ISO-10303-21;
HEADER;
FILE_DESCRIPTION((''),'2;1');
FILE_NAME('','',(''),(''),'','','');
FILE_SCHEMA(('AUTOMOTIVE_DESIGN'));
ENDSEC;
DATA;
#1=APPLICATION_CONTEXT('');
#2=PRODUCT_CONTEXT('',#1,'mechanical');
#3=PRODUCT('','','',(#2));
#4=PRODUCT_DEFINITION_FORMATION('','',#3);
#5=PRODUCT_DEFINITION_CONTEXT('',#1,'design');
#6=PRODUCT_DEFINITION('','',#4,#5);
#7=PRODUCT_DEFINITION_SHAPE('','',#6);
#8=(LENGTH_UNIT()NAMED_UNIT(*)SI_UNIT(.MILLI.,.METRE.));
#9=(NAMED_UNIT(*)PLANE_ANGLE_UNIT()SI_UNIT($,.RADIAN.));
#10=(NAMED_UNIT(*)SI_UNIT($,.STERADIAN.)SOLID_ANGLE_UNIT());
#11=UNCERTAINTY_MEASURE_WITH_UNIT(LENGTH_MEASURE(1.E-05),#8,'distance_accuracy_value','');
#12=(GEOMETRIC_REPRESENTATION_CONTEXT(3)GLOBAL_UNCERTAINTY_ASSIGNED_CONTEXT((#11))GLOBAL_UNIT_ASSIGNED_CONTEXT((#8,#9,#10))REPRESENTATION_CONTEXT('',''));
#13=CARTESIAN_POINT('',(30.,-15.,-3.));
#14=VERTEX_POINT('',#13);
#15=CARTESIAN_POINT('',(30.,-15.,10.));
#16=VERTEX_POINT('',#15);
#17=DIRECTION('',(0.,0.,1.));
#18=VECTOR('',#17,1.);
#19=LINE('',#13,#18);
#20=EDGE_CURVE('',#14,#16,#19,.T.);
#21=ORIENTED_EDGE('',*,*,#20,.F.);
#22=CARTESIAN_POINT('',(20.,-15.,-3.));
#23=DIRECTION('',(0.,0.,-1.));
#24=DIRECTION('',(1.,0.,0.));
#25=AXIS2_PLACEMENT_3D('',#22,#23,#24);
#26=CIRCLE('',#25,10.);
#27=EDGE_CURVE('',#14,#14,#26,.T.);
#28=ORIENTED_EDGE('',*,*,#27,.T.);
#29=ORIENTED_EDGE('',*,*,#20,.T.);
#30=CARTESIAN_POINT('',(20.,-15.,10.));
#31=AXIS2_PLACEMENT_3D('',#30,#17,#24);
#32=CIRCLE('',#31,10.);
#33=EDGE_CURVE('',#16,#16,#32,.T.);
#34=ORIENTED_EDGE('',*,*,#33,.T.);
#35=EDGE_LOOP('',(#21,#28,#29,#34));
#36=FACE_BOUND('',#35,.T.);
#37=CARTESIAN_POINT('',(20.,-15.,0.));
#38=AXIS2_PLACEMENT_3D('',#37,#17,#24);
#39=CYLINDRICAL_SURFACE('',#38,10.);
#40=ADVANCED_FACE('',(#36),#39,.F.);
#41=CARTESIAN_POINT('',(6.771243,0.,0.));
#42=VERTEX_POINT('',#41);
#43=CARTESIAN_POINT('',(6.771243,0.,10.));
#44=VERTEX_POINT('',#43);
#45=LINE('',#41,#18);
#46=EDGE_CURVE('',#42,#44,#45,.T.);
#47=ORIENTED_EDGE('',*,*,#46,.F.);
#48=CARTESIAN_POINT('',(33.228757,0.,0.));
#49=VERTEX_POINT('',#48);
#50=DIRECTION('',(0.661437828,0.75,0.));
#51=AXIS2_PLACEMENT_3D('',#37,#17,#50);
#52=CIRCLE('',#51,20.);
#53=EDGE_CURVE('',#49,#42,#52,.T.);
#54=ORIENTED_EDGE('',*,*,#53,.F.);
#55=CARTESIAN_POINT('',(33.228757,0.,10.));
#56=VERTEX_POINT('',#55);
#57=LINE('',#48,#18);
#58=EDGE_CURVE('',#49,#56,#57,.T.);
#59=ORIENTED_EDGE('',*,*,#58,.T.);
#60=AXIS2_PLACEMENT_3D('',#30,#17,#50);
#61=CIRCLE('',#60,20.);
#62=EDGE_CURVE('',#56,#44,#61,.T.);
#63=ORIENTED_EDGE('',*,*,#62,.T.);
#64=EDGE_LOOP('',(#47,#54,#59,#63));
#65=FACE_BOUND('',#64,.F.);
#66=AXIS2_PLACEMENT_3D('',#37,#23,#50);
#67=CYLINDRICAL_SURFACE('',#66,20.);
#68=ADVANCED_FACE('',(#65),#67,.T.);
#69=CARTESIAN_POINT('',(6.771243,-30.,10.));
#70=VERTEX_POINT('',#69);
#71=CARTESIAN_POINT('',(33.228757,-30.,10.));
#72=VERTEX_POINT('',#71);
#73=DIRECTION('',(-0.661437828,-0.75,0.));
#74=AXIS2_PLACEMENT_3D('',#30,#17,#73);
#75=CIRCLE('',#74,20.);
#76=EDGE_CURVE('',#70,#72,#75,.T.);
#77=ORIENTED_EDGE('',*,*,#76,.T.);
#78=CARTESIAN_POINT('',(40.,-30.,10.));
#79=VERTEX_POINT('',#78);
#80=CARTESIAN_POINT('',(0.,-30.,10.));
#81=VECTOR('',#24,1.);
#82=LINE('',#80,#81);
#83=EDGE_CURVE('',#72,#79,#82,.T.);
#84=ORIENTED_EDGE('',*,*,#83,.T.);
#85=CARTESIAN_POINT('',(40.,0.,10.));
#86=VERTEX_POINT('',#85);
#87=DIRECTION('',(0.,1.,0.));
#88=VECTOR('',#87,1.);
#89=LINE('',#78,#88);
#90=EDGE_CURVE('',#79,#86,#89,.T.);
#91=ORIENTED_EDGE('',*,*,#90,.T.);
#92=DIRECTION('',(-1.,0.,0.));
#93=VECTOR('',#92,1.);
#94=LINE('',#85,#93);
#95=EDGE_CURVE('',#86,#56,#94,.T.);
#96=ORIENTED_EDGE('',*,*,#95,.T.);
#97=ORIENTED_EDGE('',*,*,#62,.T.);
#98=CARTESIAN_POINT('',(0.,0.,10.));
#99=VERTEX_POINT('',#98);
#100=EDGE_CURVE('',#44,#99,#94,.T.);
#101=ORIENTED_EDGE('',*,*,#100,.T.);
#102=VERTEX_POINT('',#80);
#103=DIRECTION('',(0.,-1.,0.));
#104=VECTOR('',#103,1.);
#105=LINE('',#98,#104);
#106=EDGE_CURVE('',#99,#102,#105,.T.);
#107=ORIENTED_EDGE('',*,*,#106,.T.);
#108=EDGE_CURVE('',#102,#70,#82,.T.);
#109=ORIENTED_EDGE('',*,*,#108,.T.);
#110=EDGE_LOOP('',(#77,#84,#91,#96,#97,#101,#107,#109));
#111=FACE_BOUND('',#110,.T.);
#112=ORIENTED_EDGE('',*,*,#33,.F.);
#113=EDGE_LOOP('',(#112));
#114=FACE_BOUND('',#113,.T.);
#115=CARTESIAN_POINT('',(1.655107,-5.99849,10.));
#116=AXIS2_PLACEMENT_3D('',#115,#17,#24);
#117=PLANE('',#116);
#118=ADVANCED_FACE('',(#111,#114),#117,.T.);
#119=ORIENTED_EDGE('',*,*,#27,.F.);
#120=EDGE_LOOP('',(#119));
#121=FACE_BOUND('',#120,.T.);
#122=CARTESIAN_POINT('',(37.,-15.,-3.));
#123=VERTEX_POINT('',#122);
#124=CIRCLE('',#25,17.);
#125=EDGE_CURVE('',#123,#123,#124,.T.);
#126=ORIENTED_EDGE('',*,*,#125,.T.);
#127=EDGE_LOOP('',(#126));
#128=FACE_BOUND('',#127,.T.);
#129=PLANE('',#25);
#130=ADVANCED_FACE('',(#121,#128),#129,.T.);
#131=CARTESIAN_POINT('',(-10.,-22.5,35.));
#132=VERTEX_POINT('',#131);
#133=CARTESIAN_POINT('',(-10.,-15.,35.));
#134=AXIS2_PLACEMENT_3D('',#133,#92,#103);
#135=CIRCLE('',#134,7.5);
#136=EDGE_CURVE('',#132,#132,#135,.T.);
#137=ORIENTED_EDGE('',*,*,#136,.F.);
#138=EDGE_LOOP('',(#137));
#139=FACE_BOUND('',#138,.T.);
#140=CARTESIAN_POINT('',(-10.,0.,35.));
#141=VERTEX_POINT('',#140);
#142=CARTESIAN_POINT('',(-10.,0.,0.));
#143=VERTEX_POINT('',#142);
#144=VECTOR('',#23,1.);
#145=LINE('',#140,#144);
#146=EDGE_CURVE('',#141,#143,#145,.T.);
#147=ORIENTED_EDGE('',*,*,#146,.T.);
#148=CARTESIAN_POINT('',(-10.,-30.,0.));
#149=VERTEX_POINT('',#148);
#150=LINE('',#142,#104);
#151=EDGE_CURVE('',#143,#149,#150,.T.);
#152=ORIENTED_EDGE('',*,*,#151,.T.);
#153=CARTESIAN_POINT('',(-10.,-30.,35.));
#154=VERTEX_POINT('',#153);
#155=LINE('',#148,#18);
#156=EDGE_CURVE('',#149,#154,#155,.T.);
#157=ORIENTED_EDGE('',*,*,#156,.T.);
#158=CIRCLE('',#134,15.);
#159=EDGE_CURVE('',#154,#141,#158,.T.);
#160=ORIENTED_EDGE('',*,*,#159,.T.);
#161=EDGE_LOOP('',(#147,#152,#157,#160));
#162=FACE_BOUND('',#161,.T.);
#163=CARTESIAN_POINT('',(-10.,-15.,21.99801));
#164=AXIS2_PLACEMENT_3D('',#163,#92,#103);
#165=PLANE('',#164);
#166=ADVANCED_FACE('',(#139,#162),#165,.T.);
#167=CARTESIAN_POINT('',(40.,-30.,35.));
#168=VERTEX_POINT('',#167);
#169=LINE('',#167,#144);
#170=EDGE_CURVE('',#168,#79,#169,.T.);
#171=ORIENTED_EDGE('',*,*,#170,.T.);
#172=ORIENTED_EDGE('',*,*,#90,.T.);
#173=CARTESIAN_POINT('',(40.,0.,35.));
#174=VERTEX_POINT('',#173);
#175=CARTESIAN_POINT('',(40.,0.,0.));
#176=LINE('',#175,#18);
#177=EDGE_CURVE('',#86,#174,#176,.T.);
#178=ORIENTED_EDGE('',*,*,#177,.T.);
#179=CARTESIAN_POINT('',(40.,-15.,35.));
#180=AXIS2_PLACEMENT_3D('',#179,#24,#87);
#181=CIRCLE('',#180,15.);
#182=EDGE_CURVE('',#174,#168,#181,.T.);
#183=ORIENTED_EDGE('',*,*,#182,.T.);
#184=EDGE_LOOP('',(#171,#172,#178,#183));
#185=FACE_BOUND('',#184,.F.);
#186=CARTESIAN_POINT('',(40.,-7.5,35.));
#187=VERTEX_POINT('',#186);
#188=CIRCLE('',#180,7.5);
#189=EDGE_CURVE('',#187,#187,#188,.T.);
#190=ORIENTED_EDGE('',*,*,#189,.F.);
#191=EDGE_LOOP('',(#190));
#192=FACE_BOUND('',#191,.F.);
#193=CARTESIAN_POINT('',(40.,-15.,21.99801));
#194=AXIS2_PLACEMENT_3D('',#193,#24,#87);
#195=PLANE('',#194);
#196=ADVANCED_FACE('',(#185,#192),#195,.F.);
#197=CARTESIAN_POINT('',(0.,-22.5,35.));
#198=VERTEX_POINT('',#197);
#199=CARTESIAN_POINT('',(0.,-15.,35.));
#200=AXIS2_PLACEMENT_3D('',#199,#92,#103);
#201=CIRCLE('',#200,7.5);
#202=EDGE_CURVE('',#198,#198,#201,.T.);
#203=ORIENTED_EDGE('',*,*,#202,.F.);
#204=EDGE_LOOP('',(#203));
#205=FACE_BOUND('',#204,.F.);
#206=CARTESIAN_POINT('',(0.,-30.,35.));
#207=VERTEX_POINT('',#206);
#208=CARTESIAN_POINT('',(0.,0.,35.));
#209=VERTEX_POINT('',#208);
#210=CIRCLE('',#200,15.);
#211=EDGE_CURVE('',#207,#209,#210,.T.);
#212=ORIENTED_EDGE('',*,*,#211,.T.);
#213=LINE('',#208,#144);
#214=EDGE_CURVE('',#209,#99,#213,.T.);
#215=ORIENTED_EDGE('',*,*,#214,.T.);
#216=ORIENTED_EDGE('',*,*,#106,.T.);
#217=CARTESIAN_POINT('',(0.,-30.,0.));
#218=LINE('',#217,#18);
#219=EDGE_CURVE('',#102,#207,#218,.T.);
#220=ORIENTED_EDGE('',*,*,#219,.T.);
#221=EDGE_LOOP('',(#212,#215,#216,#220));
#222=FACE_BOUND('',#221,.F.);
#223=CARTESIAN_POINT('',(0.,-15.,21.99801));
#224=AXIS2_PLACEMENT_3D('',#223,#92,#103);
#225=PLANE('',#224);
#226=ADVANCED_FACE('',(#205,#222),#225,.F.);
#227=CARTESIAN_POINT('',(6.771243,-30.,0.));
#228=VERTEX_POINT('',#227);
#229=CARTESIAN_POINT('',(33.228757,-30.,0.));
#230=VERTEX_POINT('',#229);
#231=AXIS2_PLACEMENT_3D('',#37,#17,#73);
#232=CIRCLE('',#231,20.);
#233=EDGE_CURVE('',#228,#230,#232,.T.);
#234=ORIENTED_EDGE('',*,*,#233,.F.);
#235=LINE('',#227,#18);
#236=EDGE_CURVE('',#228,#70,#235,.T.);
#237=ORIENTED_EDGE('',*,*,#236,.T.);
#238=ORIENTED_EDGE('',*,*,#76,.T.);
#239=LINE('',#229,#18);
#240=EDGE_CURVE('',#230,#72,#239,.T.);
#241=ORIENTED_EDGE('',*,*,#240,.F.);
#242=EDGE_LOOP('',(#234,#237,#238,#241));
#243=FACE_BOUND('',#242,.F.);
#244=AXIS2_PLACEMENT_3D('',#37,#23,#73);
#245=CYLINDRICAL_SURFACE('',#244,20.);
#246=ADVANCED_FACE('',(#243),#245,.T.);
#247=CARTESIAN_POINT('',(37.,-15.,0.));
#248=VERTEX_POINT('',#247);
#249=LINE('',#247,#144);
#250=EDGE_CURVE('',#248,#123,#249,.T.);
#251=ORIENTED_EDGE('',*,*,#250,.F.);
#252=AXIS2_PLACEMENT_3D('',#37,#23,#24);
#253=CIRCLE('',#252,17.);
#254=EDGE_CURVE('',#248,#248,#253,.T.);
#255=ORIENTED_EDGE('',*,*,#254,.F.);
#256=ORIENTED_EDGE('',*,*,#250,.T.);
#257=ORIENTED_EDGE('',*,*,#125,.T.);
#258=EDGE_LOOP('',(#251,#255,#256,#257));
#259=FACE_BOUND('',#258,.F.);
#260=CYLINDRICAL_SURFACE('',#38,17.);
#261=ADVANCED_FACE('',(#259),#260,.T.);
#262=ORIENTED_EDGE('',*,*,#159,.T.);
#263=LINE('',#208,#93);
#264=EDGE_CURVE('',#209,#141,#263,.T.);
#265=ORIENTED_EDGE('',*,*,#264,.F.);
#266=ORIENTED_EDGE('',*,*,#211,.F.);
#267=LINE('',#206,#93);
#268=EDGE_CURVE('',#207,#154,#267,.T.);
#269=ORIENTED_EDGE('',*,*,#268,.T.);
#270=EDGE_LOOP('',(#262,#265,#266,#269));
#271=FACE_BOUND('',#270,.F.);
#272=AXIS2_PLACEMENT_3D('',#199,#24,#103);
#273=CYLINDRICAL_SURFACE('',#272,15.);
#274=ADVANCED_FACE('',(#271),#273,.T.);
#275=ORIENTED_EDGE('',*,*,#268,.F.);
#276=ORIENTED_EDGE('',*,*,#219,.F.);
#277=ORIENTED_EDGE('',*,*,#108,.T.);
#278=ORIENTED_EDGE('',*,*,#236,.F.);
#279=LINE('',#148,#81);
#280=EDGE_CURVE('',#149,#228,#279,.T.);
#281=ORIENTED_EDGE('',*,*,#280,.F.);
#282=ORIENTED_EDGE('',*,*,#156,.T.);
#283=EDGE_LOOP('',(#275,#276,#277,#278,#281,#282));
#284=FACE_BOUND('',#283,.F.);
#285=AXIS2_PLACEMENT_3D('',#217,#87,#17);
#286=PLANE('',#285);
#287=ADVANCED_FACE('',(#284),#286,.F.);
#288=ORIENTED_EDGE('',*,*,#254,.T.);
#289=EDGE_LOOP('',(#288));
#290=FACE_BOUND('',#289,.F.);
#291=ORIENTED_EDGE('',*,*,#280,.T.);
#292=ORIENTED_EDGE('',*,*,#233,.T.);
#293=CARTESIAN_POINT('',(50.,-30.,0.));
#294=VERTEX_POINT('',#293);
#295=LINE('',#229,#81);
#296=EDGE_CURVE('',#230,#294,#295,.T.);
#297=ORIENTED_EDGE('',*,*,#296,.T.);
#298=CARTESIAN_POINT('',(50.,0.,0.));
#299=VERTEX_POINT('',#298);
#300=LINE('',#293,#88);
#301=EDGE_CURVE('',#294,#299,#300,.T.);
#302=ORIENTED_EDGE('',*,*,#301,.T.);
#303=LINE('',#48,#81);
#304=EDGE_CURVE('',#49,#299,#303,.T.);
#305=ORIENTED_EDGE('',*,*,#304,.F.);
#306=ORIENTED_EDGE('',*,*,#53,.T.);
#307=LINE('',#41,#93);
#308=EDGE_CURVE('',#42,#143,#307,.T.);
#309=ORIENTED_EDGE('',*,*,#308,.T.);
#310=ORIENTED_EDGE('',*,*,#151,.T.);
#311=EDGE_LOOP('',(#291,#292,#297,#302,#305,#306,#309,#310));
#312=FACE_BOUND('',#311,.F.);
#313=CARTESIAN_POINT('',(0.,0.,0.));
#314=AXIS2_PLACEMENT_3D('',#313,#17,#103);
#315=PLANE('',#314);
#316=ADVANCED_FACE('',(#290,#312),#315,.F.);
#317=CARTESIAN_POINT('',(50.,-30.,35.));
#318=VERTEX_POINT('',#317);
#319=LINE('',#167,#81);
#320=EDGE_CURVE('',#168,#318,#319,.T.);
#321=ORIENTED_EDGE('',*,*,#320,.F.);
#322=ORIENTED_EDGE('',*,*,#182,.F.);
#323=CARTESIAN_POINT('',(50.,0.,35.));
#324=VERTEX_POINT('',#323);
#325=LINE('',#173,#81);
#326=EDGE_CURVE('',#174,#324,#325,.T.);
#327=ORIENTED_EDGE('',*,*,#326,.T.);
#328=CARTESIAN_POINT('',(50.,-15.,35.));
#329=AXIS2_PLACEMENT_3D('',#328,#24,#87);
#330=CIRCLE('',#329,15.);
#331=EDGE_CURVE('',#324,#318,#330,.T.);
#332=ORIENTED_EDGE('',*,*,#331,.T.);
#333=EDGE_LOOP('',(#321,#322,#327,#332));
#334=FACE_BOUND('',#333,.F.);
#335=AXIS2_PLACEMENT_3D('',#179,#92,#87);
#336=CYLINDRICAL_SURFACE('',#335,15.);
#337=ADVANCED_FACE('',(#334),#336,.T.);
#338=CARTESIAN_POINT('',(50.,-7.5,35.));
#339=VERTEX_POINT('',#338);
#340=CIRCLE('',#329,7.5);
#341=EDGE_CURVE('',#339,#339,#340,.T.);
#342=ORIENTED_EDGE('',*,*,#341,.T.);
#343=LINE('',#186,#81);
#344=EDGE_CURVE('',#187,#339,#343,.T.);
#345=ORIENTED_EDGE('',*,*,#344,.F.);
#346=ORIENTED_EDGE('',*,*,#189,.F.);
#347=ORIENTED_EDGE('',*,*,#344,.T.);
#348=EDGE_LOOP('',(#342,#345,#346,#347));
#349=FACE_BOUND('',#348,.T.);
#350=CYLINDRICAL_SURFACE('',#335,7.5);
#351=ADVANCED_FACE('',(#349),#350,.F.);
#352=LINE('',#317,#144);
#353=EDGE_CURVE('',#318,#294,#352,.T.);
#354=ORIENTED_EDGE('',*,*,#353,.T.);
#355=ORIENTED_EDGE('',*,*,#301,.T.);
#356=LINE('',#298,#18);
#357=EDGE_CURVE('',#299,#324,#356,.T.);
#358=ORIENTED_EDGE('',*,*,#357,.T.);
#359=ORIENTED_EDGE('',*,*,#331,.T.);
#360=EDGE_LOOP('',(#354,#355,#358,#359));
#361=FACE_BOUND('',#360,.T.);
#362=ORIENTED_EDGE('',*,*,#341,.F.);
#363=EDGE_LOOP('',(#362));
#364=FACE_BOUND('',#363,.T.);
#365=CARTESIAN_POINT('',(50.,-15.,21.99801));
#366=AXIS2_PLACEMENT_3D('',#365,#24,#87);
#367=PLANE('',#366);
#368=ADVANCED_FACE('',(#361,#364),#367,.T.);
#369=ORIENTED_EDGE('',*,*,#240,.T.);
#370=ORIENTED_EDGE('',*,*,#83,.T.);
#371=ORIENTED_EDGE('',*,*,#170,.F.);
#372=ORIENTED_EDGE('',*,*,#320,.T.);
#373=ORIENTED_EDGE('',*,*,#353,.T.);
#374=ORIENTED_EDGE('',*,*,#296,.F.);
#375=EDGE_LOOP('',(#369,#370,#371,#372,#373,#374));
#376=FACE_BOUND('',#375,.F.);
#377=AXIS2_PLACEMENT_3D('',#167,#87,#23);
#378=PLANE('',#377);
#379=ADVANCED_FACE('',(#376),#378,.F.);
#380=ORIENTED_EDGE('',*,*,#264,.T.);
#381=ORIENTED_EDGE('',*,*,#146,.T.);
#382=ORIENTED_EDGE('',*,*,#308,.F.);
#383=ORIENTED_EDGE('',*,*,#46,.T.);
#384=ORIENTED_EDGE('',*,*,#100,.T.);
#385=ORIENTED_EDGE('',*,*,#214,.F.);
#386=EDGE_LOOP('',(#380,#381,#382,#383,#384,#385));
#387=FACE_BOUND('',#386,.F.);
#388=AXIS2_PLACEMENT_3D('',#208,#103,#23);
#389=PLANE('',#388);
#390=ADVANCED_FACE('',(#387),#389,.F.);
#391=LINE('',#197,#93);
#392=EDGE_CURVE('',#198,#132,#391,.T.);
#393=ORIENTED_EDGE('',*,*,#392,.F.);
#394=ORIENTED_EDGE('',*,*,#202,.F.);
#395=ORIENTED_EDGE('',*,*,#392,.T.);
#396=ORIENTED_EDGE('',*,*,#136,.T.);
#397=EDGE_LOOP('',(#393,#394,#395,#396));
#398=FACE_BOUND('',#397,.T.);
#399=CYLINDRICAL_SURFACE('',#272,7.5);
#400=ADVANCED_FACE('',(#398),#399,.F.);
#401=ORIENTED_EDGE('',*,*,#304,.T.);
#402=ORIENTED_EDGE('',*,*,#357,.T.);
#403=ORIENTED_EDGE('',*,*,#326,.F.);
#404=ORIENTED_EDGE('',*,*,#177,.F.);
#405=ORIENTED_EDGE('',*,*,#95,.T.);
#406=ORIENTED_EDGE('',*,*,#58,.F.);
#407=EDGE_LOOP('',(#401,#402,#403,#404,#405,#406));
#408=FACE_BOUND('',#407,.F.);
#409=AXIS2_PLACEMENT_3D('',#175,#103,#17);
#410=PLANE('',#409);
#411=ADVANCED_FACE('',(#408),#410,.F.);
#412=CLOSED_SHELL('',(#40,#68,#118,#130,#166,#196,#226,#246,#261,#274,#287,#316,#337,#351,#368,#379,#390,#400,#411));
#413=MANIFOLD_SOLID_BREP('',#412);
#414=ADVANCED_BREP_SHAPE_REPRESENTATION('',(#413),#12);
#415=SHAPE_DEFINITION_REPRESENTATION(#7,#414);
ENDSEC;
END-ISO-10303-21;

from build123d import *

# Parameters (mm, degrees)
F0_R     = 10
F1_DEPTH = 10
F2_R     = 17
F2_R_2   = 10
F3_DEPTH = 3
F4_R     = 7.5
F5_DEPTH = 10
F6_R     = 7.5
F7_DEPTH = 10


with BuildPart() as f1:
    # F0 (on Top) → F1 (new body)
    with BuildSketch(Plane.XY):
        with BuildLine():
            Line((6.7712434447, 0), (0, 0))
            Line((0, 0), (0, -15))
            ThreePointArc((0, -15), (1.7712434447, -6.7712434447), (6.7712434447, 0))
        make_face()
        with BuildLine():
            ThreePointArc((6.7712434447, -30), (1.7712434447, -23.2287565553), (0, -15))
            Line((0, -15), (0, -30))
            Line((0, -30), (6.7712434447, -30))
        make_face()
        with BuildLine():
            Line((40, 0), (33.2287565553, 0))
            ThreePointArc((33.2287565553, 0), (38.2287565553, -6.7712434447), (40, -15))
            Line((40, -15), (40, 0))
        make_face()
        with BuildLine():
            Line((40, -30), (40, -15))
            ThreePointArc((40, -15), (38.2287565553, -23.2287565553), (33.2287565553, -30))
            Line((33.2287565553, -30), (40, -30))
        make_face()
        with BuildLine():
            Line((33.2287565553, 0), (6.7712434447, 0))
            ThreePointArc((6.7712434447, 0), (1.7712434447, -6.7712434447), (0, -15))
            ThreePointArc((0, -15), (1.7712434447, -23.2287565553), (6.7712434447, -30))
            Line((6.7712434447, -30), (33.2287565553, -30))
            ThreePointArc((33.2287565553, -30), (38.2287565553, -23.2287565553), (40, -15))
            ThreePointArc((40, -15), (38.2287565553, -6.7712434447), (33.2287565553, 0))
        make_face()
        with Locations((20, -15)):
            Circle(F0_R, mode=Mode.SUBTRACT)
        with BuildLine():
            ThreePointArc((33.2287565553, 0), (20, 5), (6.7712434447, 0))
            Line((6.7712434447, 0), (33.2287565553, 0))
        make_face()
        with BuildLine():
            Line((33.2287565553, -30), (6.7712434447, -30))
            ThreePointArc((6.7712434447, -30), (20, -35), (33.2287565553, -30))
        make_face()
    extrude(amount=F1_DEPTH)

    # F2 (on face) → F3 (join)
    with BuildSketch(Plane(origin=(0, 0, 0), x_dir=(1, 0, 0), z_dir=(0, 0, -1))):
        with Locations((20, 15)):
            Circle(F2_R)
        with Locations((20, 15)):
            Circle(F2_R_2, mode=Mode.SUBTRACT)
    extrude(amount=F3_DEPTH)

    # F4 (on face) → F5 (join)
    with BuildSketch(Plane.YZ.offset(40)):
        with BuildLine():
            Line((-30, 35), (-30, 0))
            Line((-30, 0), (0, 0))
            Line((0, 0), (0, 35))
            ThreePointArc((0, 35), (-15, 50), (-30, 35))
        make_face()
        with Locations((-15, 35)):
            Circle(F4_R, mode=Mode.SUBTRACT)
    extrude(amount=F5_DEPTH)

    # F6 (on face) → F7 (join)
    with BuildSketch(Plane(origin=(0, 0, 0), x_dir=(0, -1, 0), z_dir=(-1, 0, 0))):
        with BuildLine():
            ThreePointArc((30, 35), (15, 50), (0, 35))
            Line((0, 35), (0, 0))
            Line((0, 0), (30, 0))
            Line((30, 0), (30, 35))
        make_face()
        with Locations((15, 35)):
            Circle(F6_R, mode=Mode.SUBTRACT)
    extrude(amount=F7_DEPTH)


solid = f1.part
